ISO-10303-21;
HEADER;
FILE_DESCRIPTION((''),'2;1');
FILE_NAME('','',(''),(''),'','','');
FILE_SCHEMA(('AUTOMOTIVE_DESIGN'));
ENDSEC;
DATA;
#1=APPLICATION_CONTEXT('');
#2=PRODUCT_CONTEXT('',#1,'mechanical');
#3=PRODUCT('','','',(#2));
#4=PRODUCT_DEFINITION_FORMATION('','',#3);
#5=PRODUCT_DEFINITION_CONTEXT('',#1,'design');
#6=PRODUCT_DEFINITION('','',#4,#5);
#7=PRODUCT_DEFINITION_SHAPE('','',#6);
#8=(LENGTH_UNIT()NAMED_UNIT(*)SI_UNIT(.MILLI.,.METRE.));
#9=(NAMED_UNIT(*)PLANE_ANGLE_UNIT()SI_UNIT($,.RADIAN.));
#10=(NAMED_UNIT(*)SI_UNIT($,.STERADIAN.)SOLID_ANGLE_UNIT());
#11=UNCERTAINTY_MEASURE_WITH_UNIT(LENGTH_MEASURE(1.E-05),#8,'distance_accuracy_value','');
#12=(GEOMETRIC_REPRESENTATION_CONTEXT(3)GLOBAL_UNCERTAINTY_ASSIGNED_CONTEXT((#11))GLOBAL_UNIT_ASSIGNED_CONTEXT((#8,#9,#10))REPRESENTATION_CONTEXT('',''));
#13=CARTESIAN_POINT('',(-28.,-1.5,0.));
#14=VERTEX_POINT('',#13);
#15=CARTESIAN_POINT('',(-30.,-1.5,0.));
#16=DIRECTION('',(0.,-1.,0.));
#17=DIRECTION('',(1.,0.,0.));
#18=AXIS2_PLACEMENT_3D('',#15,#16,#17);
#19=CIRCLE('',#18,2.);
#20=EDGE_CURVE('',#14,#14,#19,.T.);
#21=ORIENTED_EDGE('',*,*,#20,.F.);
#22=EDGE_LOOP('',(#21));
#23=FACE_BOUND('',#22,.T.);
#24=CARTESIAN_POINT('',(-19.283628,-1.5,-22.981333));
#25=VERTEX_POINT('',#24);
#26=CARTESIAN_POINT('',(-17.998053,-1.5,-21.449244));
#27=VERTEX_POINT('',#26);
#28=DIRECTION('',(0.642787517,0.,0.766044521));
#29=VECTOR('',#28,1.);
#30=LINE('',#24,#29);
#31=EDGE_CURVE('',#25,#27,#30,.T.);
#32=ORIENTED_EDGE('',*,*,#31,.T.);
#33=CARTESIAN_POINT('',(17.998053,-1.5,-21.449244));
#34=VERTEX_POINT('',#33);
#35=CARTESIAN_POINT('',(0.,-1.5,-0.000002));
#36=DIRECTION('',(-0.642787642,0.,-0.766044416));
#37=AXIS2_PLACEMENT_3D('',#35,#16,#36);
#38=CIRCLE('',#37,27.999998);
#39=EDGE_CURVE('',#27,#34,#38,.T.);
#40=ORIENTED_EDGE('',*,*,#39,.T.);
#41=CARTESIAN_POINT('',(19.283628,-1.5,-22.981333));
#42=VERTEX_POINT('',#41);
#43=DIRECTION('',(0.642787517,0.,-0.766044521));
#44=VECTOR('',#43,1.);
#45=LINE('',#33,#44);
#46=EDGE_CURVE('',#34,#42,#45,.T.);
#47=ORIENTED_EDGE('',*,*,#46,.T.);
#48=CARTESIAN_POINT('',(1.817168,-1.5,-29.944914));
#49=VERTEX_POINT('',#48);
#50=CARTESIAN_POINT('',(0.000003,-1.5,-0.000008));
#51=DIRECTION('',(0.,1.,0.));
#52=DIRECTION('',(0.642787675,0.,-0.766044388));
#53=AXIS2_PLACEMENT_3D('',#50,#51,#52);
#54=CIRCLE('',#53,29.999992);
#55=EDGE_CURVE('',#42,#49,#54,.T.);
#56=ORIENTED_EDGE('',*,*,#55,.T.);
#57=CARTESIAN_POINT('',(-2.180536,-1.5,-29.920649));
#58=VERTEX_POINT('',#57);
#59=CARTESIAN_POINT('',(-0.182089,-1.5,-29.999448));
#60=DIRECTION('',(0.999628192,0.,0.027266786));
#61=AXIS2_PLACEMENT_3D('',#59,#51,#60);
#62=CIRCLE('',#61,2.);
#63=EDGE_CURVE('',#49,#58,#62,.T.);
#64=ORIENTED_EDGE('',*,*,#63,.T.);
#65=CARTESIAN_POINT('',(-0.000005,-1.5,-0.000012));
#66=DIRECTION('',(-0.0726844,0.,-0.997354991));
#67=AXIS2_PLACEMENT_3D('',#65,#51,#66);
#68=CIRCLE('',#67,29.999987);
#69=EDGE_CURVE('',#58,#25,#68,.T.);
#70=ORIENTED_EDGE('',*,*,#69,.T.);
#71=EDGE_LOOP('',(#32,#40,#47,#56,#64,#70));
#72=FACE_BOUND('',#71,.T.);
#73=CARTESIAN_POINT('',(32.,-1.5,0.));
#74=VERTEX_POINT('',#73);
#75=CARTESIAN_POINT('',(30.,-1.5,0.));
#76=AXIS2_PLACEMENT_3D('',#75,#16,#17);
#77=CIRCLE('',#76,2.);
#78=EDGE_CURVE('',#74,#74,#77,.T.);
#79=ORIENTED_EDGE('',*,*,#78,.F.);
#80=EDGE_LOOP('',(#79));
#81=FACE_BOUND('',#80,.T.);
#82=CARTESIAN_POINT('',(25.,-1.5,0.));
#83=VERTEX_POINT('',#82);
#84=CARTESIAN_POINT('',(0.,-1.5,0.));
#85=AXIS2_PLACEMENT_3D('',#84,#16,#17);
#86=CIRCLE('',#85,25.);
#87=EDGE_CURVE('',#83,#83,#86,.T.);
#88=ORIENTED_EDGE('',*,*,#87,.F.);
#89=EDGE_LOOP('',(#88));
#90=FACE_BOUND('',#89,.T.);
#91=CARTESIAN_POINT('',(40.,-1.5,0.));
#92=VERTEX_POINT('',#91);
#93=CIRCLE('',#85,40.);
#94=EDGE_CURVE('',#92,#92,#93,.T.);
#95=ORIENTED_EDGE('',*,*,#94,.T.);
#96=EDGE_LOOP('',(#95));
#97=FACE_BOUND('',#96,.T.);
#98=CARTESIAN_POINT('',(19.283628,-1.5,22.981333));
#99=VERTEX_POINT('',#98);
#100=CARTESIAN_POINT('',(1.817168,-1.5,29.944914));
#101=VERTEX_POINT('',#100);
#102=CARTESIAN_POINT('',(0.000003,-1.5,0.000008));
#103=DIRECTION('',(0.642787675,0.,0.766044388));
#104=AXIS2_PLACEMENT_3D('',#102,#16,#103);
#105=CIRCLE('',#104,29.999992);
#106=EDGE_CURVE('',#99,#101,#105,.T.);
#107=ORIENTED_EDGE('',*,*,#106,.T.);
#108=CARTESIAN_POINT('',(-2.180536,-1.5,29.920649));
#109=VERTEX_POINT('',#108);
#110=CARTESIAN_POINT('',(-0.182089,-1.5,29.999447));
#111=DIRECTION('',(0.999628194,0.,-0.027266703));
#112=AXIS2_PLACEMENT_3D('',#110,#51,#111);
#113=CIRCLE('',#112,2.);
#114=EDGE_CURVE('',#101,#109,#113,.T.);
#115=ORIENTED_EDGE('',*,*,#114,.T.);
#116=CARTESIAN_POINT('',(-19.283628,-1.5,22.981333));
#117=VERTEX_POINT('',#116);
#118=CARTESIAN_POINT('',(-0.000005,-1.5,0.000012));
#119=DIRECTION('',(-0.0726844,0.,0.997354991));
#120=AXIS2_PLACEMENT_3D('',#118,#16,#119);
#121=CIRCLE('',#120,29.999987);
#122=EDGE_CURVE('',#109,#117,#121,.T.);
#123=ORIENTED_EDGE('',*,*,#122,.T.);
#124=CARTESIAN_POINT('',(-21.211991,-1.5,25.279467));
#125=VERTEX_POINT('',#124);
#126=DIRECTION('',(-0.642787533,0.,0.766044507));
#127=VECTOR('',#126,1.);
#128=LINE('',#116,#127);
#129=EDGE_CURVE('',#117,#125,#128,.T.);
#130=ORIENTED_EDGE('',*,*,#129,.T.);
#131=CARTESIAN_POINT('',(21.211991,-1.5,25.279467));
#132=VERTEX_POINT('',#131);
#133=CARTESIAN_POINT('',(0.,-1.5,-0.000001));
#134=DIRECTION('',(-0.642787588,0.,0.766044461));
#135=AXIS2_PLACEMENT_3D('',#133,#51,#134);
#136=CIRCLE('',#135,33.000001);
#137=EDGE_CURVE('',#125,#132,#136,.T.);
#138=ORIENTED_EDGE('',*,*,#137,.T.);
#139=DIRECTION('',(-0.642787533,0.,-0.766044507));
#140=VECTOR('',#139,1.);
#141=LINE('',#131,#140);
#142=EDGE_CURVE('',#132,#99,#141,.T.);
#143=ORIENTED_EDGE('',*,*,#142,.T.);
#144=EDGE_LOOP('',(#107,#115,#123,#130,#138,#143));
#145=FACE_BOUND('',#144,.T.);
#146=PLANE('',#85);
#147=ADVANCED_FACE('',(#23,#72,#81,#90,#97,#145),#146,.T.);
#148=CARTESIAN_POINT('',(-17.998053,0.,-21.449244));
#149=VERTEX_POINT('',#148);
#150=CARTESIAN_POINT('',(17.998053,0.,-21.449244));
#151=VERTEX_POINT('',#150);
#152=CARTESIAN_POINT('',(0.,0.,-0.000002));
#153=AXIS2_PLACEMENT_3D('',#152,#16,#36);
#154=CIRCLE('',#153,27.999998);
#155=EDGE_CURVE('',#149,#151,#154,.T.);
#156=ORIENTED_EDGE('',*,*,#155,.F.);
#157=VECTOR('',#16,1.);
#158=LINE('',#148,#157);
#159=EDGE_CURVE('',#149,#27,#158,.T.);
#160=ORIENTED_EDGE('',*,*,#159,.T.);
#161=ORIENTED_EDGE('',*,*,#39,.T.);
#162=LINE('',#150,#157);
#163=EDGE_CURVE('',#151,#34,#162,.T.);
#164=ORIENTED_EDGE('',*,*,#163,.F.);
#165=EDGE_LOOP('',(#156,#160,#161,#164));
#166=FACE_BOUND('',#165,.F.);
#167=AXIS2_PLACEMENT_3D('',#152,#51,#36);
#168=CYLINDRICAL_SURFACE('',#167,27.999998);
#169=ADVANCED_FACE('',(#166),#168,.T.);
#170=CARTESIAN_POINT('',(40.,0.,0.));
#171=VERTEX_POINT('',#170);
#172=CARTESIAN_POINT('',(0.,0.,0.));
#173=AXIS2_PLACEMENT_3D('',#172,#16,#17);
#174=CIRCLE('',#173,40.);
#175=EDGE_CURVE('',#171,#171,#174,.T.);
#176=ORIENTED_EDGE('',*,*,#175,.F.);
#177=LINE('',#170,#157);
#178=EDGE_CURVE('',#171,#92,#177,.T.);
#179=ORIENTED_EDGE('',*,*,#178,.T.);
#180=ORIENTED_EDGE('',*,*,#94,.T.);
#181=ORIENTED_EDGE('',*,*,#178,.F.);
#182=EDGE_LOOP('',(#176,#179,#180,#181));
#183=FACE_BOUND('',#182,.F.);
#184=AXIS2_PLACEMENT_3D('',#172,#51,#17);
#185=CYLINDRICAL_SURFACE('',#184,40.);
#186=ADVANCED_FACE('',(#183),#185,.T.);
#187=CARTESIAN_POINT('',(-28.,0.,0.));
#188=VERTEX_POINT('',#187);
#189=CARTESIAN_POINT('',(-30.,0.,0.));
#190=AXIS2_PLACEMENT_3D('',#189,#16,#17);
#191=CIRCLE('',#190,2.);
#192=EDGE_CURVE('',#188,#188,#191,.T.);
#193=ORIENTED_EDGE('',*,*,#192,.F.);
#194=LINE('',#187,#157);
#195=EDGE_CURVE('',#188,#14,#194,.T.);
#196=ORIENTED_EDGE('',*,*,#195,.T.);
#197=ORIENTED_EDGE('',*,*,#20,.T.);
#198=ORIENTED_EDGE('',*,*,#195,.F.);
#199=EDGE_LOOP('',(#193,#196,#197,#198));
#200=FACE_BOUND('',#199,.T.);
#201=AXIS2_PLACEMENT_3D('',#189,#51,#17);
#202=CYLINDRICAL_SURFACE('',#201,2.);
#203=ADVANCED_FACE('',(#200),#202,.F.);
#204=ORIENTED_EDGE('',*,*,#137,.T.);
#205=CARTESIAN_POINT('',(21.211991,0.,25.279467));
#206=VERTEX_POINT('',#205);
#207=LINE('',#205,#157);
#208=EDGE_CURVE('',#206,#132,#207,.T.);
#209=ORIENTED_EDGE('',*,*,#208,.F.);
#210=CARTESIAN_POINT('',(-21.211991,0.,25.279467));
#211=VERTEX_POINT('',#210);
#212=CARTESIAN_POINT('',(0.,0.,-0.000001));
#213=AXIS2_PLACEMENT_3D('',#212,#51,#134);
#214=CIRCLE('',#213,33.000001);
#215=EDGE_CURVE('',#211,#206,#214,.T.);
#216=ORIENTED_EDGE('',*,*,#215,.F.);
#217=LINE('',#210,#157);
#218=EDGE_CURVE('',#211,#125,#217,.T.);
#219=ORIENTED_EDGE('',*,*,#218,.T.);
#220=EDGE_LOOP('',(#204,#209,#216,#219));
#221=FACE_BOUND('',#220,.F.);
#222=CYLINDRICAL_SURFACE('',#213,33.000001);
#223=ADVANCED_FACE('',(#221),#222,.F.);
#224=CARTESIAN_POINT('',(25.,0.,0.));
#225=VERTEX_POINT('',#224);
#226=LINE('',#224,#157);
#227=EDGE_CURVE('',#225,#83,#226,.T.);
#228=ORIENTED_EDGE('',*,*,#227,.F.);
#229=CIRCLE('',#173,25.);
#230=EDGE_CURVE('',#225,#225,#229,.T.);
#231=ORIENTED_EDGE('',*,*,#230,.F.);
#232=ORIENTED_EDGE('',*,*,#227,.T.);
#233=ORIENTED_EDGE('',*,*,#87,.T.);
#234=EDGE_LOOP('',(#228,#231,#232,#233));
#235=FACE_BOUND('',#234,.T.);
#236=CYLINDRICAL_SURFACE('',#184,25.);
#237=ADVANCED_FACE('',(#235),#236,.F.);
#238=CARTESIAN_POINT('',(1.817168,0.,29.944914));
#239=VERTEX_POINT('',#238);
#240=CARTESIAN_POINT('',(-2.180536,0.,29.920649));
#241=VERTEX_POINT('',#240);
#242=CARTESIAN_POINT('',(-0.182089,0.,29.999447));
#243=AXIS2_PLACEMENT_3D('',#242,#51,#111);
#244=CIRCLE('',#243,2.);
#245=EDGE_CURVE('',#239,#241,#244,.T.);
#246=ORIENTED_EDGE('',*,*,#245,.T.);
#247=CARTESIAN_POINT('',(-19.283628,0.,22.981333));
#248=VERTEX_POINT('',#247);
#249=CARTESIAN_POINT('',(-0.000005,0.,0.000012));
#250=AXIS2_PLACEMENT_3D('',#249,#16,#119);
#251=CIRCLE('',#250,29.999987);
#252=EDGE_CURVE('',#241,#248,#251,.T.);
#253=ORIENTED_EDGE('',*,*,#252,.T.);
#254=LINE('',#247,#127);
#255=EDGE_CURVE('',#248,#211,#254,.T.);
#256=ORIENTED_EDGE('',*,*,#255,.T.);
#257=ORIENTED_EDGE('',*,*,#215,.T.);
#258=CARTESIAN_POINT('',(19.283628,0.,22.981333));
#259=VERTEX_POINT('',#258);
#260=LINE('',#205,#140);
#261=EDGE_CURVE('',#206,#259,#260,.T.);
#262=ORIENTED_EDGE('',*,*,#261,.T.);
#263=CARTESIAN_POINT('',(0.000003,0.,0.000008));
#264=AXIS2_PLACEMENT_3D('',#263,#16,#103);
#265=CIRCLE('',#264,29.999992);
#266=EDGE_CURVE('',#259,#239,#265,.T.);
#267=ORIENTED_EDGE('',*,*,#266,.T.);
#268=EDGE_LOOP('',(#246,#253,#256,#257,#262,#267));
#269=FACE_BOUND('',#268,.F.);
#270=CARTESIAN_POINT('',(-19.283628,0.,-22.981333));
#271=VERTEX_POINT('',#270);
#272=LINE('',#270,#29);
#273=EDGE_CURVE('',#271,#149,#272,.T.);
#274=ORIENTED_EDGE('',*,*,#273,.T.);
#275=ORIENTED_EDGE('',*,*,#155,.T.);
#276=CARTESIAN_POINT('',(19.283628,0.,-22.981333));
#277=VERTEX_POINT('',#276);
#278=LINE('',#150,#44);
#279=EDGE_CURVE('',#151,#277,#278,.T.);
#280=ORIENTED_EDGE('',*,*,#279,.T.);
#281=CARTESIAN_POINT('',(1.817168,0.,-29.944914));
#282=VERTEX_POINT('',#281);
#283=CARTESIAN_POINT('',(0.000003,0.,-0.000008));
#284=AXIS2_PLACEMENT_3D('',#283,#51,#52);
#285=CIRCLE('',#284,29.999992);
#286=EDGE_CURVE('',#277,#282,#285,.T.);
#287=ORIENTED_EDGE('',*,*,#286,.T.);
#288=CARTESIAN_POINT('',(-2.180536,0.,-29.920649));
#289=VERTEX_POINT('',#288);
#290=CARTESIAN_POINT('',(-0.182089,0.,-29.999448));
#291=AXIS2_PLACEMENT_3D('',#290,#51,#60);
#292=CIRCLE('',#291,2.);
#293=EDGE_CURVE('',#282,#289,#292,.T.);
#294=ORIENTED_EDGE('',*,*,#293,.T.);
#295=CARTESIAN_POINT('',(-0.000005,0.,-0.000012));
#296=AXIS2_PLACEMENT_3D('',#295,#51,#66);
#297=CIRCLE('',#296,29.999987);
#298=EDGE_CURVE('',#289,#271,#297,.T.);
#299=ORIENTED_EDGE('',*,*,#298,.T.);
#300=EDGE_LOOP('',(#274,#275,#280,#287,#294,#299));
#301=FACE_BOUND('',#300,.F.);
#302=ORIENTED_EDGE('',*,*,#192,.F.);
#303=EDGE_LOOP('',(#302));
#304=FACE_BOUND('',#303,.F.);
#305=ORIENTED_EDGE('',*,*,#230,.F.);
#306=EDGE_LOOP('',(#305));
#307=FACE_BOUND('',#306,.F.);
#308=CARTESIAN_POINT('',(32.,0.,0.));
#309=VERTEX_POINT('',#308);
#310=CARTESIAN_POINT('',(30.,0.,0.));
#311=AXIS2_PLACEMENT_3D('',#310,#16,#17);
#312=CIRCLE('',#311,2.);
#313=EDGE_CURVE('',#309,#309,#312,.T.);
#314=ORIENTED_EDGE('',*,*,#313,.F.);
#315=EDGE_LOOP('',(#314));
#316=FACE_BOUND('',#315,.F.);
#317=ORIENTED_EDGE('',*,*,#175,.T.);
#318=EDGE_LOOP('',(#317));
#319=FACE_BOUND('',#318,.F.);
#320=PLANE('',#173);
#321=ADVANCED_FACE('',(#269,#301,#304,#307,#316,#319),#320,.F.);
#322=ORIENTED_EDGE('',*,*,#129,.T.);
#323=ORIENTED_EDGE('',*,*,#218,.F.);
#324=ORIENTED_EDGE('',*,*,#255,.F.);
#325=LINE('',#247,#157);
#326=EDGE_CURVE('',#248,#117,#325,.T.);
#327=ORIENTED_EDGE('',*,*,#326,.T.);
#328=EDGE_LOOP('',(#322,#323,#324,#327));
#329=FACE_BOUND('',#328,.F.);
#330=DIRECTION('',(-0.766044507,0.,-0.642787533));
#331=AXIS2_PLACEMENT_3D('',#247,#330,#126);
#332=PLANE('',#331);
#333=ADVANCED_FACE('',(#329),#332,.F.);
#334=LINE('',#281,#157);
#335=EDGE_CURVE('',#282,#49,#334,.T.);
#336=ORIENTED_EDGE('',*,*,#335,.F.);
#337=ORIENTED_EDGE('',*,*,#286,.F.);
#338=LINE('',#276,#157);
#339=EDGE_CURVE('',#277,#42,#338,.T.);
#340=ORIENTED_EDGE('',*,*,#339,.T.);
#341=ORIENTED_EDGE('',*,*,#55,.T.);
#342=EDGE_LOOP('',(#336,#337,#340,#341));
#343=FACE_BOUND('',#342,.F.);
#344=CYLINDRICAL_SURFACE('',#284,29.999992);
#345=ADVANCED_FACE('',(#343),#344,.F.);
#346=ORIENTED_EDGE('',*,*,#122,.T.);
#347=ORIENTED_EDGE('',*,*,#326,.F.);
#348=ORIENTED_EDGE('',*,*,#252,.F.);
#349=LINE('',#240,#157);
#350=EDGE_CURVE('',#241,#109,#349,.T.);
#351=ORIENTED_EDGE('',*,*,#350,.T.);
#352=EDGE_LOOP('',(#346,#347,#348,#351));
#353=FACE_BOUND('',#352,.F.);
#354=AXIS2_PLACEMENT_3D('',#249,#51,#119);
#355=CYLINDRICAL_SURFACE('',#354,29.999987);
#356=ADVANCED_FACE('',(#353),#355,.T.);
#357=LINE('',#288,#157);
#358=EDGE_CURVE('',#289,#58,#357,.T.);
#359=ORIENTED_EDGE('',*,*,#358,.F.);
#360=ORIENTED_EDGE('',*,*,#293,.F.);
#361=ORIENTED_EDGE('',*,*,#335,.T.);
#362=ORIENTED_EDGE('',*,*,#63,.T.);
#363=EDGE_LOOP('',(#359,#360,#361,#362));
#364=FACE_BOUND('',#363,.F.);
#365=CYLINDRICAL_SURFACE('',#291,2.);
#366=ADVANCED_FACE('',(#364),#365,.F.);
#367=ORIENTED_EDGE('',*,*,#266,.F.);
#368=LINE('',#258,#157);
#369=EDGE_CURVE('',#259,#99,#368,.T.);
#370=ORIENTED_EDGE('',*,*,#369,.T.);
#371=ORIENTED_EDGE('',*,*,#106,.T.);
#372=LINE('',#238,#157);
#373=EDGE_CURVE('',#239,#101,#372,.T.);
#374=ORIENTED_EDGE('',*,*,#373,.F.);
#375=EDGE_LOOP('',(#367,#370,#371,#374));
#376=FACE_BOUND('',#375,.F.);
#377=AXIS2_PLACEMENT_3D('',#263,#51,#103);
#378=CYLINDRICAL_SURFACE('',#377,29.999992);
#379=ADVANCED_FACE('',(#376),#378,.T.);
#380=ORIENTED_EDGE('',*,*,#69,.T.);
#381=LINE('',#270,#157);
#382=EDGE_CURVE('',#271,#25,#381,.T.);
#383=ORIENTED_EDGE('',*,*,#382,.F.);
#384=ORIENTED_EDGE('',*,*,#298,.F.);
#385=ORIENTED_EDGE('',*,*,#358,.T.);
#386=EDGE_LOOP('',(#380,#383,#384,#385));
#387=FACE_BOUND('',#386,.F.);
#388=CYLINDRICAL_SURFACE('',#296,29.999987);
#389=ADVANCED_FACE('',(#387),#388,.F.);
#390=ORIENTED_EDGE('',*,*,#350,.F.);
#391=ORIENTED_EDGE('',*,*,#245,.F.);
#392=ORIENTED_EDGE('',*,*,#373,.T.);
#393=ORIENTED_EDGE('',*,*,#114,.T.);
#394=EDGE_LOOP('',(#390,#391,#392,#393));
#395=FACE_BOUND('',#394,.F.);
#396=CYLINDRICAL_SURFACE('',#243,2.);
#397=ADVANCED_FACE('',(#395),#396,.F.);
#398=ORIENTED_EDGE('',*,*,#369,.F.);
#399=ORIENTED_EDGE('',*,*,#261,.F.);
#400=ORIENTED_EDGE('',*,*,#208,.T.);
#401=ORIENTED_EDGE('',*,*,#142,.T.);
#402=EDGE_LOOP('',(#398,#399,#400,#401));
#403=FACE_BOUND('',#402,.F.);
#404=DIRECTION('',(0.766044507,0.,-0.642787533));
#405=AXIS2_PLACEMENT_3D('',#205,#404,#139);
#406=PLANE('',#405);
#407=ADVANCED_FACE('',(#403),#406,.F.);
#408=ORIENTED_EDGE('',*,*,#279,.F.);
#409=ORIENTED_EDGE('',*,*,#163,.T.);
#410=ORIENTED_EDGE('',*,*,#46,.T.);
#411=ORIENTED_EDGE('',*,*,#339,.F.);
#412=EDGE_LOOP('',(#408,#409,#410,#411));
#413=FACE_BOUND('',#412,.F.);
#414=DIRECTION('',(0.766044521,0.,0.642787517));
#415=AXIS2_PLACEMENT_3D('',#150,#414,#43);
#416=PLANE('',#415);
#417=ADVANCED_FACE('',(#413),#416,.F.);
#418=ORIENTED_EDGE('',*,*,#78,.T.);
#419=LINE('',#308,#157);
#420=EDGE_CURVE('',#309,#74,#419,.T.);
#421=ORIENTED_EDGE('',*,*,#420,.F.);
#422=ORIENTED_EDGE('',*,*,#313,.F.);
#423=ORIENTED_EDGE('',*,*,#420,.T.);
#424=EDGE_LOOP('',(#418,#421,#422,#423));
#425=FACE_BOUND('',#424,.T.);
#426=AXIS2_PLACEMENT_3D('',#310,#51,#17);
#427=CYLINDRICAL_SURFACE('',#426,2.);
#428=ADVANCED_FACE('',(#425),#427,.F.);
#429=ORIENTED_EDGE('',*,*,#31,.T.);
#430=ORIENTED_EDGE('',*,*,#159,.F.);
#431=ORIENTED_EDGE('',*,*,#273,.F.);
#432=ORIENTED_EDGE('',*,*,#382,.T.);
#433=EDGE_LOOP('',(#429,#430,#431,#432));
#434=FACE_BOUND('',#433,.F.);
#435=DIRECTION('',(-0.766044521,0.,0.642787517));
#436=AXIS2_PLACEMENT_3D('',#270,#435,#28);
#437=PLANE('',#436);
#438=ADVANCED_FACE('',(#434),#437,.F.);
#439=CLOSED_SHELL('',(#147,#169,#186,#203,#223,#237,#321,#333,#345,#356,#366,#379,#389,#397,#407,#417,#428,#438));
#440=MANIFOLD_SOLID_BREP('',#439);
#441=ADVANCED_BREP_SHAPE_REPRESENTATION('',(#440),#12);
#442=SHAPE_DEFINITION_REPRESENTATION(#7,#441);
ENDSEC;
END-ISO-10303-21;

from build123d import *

# Parameters (mm, degrees)
F0_R     = 40
F0_R_2   = 2
F0_R_3   = 25
F1_DEPTH = 1.5


with BuildPart() as f1:
    # F0 (on Front) → F1 (new body)
    with BuildSketch(Plane.XZ):
        Circle(F0_R)
        with BuildLine():
            ThreePointArc((1.817168, -29.944914), (-0.194228, -31.999411), (-2.180536, -29.920649))
            ThreePointArc((-2.180536, -29.920649), (-11.279012, -27.798991), (-19.283628, -22.981333))
            Line((-19.283628, -22.981333), (-17.998053, -21.449244))
            ThreePointArc((-17.998053, -21.449244), (0, -28), (17.998053, -21.449244))
            Line((17.998053, -21.449244), (19.283628, -22.981333))
            ThreePointArc((19.283628, -22.981333), (11.110075, -27.866938), (1.817168, -29.944914))
        make_face(mode=Mode.SUBTRACT)
        with Locations((-30, 0)):
            Circle(F0_R_2, mode=Mode.SUBTRACT)
        Circle(F0_R_3, mode=Mode.SUBTRACT)
        with Locations((30, 0)):
            Circle(F0_R_2, mode=Mode.SUBTRACT)
        with BuildLine():
            ThreePointArc((1.817168, 29.944914), (-0.169949, 27.999484), (-2.180536, 29.920649))
            ThreePointArc((-2.180536, 29.920649), (-11.279012, 27.798991), (-19.283628, 22.981333))
            Line((-19.283628, 22.981333), (-21.211991, 25.279467))
            ThreePointArc((-21.211991, 25.279467), (0, 33), (21.211991, 25.279467))
            Line((21.211991, 25.279467), (19.283628, 22.981333))
            ThreePointArc((19.283628, 22.981333), (11.110075, 27.866938), (1.817168, 29.944914))
        make_face(mode=Mode.SUBTRACT)
    extrude(amount=F1_DEPTH)


solid = f1.part
